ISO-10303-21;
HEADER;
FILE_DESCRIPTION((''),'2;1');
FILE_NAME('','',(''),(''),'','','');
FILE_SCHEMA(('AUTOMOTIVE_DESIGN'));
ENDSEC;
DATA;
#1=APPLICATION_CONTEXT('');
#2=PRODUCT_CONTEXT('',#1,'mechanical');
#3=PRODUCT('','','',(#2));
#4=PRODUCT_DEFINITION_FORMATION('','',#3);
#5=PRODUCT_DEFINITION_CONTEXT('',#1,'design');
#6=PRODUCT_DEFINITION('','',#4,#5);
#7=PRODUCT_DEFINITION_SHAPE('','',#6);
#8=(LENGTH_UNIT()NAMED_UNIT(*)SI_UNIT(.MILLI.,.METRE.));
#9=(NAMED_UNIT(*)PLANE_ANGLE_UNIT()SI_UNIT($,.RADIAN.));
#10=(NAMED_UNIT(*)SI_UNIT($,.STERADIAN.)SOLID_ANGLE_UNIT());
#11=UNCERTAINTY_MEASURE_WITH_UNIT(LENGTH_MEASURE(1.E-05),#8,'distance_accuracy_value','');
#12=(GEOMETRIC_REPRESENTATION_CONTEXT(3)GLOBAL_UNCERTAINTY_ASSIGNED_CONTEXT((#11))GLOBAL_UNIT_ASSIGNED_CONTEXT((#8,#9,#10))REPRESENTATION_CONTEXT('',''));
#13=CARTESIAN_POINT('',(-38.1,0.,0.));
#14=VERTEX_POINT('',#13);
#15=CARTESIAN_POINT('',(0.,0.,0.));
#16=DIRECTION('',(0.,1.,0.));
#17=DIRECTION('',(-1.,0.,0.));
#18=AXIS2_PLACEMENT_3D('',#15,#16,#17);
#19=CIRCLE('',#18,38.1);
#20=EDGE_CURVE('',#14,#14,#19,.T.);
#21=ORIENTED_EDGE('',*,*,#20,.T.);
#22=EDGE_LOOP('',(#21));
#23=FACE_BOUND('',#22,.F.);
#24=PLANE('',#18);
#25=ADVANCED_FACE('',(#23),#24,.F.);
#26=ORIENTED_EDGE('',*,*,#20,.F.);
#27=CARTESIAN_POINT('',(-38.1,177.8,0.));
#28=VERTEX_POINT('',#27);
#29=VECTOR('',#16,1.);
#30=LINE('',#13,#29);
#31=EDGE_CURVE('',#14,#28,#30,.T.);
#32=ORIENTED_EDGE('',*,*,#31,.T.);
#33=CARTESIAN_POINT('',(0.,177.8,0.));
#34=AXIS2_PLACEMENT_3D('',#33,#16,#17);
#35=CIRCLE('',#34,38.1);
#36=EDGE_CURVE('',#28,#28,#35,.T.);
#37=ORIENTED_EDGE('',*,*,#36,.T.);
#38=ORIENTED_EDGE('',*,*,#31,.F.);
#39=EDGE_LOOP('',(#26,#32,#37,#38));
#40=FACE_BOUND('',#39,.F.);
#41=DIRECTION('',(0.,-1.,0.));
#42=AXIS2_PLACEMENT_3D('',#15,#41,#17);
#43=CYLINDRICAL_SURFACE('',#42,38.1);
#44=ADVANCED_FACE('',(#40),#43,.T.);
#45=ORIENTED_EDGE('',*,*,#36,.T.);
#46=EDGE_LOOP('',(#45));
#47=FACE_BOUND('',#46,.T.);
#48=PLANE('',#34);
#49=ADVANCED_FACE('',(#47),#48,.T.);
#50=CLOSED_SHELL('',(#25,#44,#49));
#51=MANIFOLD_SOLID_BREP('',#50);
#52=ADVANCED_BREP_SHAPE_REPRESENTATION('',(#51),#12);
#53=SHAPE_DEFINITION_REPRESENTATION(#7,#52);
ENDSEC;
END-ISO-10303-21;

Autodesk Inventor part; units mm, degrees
ref_plane "YZ Plane" through (0, 0, 0) normal (1, 0, 0) x (0, 1, 0)
ref_plane "XZ Plane" through (0, 0, 0) normal (0, 1, 0) x (-1, 0, 0)
ref_plane "XY Plane" through (0, 0, 0) normal (0, 0, 1) x (1, 0, 0)
sketch "Sketch1" plane through (0, 0, 0) normal (0, 1, 0) x (-1, 0, 0)
  circle A0 centre (0, 0) radius 38.1
  dimension "d0" = 76.2
extrude "Extrusion1" add sketch "Sketch1" along normal blind 177.8
properties part number "Extension Grappel"
